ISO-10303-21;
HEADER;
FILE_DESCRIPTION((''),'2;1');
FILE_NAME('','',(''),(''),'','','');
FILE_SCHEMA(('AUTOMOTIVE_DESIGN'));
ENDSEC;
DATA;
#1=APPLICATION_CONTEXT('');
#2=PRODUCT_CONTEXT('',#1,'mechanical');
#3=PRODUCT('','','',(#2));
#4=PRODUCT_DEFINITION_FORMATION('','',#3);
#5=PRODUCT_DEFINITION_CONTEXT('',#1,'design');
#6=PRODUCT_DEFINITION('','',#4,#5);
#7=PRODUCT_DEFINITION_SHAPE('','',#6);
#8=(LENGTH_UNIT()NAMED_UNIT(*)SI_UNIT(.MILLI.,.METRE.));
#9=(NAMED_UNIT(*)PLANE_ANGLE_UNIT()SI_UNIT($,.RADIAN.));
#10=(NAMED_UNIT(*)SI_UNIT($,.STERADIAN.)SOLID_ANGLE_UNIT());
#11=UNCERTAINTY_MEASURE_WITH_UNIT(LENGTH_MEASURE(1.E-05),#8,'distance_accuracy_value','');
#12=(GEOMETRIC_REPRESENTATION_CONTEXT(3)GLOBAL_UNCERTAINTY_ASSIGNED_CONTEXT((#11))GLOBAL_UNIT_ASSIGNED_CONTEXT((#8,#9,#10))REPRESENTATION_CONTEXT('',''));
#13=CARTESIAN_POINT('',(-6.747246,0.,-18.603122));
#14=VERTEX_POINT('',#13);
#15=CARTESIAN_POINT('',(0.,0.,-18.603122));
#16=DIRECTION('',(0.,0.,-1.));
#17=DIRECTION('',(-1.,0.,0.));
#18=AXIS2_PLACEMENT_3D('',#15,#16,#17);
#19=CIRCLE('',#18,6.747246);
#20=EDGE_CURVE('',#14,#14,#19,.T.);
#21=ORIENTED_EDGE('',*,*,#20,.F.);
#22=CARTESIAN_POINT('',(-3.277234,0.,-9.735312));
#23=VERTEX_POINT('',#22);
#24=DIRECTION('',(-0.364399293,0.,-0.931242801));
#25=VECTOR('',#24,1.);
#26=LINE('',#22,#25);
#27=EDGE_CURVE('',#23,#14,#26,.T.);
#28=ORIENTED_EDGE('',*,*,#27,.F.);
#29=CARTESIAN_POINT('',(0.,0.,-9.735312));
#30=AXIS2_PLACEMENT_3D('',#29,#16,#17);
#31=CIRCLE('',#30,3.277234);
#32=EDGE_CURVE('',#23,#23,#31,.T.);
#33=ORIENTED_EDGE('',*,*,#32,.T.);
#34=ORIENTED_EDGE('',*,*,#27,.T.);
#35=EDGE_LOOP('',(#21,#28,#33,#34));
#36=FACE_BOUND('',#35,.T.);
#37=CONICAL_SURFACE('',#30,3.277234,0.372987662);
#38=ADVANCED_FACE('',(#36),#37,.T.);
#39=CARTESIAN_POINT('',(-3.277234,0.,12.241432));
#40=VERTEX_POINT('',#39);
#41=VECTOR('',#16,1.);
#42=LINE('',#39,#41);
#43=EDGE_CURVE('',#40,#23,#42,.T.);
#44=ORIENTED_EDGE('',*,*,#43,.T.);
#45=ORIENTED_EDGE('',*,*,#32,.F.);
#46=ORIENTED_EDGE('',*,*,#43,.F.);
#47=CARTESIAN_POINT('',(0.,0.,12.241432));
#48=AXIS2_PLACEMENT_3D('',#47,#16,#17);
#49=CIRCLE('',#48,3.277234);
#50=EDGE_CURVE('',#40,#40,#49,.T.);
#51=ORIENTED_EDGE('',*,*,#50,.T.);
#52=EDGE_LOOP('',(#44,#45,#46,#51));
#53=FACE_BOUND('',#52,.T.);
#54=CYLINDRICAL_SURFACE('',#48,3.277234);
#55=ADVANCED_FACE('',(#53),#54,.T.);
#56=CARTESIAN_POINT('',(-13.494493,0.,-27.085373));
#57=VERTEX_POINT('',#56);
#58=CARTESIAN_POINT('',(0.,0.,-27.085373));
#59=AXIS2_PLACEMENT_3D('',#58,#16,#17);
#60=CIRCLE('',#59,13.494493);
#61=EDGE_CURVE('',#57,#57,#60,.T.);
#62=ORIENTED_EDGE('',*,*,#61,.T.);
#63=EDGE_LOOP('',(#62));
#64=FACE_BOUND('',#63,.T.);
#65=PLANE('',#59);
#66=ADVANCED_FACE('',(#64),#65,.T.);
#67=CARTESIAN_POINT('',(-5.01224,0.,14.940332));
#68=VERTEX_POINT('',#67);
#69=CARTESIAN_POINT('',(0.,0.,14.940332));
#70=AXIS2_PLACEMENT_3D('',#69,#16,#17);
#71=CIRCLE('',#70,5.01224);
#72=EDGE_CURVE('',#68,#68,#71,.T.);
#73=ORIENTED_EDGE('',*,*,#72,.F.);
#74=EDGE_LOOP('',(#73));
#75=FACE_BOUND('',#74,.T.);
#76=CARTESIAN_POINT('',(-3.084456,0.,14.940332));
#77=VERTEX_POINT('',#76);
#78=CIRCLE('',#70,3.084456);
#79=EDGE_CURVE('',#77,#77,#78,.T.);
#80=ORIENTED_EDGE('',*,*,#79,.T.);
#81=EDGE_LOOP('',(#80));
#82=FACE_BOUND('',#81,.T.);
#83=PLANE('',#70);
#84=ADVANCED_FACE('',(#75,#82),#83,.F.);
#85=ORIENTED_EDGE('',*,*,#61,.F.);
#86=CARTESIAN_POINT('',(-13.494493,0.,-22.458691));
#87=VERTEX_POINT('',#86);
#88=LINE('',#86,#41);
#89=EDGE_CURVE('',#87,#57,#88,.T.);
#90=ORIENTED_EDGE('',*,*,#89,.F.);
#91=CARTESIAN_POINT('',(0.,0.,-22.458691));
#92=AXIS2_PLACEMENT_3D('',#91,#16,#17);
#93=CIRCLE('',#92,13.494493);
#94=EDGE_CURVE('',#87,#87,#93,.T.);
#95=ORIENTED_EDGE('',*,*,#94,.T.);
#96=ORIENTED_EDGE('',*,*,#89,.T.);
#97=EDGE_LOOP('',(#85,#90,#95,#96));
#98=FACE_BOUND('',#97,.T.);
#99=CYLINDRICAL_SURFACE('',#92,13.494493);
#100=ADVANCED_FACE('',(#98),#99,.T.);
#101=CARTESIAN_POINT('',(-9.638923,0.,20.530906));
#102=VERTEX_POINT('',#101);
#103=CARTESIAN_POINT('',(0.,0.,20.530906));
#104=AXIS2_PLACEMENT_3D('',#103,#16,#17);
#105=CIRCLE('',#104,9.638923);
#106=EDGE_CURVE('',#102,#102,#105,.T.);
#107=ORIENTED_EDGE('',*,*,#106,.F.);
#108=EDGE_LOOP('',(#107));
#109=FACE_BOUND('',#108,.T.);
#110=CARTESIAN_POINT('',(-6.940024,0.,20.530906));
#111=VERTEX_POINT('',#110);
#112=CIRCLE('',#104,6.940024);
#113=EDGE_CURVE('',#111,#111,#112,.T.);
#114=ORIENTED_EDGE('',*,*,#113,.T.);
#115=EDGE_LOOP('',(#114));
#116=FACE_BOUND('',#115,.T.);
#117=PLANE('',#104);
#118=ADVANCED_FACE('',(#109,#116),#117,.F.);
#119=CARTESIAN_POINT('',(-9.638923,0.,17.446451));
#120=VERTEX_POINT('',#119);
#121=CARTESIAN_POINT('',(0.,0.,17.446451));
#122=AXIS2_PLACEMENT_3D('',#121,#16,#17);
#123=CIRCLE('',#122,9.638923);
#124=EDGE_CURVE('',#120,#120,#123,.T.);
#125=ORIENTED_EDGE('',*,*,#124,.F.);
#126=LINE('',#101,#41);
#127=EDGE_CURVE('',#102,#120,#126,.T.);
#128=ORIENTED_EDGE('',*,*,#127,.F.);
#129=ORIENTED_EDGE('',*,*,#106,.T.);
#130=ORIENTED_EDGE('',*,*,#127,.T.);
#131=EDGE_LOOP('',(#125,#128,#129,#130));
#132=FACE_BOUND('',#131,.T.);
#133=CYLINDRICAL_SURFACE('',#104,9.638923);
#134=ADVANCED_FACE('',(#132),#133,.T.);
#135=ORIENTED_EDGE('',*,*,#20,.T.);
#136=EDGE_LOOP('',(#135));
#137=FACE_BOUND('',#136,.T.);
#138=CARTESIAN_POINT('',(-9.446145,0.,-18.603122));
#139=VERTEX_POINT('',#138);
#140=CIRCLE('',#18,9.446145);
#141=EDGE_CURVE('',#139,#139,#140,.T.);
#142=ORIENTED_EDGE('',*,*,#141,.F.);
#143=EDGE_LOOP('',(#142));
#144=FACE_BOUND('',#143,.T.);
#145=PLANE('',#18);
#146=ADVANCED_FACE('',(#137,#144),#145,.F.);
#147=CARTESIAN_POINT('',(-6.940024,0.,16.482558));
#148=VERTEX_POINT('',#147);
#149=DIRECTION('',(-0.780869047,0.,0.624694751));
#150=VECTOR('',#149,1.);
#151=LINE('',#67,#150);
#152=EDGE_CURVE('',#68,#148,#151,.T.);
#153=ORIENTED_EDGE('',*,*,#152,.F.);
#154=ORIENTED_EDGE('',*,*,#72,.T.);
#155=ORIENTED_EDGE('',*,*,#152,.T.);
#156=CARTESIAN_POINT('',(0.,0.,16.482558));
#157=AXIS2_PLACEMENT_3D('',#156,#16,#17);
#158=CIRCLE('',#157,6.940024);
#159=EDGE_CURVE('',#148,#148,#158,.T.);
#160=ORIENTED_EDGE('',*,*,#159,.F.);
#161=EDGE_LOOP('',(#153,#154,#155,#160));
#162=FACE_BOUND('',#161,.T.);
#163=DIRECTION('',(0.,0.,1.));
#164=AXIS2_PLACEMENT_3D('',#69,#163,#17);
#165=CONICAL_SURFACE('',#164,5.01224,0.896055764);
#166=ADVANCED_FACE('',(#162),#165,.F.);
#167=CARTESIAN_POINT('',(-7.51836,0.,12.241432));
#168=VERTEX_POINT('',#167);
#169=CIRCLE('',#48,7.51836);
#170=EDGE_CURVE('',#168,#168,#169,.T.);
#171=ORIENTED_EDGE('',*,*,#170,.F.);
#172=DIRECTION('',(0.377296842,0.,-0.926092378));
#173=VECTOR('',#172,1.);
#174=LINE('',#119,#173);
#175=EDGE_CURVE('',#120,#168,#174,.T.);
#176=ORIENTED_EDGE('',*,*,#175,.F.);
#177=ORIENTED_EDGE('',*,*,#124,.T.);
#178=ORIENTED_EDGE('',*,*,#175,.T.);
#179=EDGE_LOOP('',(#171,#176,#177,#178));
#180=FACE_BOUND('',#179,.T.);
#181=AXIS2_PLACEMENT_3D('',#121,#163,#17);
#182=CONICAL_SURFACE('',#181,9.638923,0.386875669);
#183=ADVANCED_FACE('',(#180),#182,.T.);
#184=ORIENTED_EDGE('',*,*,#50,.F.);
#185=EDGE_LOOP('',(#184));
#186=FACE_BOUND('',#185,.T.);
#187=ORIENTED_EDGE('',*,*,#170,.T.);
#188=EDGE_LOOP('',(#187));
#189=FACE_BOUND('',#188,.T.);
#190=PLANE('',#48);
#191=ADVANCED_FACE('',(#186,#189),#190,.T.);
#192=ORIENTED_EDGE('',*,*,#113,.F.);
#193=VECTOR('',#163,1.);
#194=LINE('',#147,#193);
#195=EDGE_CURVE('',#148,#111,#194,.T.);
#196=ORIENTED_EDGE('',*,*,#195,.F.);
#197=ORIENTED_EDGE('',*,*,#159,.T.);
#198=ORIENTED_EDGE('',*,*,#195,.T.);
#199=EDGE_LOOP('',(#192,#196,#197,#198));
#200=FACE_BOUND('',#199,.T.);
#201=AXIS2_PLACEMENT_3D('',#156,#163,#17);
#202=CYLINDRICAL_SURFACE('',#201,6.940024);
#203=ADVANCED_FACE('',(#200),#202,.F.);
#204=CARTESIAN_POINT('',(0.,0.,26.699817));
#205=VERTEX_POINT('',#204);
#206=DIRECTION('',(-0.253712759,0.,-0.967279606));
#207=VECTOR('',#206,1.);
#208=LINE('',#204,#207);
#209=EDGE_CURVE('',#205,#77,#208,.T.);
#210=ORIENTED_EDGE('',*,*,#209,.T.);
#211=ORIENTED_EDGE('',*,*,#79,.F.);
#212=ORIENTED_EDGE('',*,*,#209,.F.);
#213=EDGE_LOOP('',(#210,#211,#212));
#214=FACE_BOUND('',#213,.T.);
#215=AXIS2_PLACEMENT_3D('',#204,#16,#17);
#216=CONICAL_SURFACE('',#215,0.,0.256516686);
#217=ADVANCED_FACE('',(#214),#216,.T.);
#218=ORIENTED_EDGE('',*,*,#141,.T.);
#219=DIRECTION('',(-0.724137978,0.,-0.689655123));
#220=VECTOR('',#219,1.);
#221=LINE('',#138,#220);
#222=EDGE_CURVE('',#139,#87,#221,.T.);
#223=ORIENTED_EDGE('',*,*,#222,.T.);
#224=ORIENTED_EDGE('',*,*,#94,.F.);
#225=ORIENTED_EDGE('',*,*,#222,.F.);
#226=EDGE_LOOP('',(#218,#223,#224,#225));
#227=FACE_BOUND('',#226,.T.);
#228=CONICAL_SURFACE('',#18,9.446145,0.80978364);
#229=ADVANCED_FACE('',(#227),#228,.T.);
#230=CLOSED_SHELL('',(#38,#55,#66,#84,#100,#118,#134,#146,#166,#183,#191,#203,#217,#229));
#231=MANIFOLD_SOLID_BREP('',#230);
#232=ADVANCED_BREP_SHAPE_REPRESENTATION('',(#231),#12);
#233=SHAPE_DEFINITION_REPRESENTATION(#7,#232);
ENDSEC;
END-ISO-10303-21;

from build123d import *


with BuildPart() as f1:
    # F0 (on Front) → F1 (revolve)
    with BuildSketch(Plane.XZ):
        Polygon((-13.494493, -27.085373), (0, -27.085373), (0, 26.699817), (-3.084456, 14.940332), (-5.01224, 14.940332), (-6.940024, 16.482558), (-6.940024, 20.530906), (-9.638923, 20.530906), (-9.638923, 17.446451), (-7.51836, 12.241432), (-3.277234, 12.241432), (-3.277234, -9.735312), (-6.747246, -18.603122), (-9.446145, -18.603122), (-13.494493, -22.458691), align=None)
    revolve(axis=Axis((0, 0, -0.192778), (0, 0, -1)))


solid = f1.part
